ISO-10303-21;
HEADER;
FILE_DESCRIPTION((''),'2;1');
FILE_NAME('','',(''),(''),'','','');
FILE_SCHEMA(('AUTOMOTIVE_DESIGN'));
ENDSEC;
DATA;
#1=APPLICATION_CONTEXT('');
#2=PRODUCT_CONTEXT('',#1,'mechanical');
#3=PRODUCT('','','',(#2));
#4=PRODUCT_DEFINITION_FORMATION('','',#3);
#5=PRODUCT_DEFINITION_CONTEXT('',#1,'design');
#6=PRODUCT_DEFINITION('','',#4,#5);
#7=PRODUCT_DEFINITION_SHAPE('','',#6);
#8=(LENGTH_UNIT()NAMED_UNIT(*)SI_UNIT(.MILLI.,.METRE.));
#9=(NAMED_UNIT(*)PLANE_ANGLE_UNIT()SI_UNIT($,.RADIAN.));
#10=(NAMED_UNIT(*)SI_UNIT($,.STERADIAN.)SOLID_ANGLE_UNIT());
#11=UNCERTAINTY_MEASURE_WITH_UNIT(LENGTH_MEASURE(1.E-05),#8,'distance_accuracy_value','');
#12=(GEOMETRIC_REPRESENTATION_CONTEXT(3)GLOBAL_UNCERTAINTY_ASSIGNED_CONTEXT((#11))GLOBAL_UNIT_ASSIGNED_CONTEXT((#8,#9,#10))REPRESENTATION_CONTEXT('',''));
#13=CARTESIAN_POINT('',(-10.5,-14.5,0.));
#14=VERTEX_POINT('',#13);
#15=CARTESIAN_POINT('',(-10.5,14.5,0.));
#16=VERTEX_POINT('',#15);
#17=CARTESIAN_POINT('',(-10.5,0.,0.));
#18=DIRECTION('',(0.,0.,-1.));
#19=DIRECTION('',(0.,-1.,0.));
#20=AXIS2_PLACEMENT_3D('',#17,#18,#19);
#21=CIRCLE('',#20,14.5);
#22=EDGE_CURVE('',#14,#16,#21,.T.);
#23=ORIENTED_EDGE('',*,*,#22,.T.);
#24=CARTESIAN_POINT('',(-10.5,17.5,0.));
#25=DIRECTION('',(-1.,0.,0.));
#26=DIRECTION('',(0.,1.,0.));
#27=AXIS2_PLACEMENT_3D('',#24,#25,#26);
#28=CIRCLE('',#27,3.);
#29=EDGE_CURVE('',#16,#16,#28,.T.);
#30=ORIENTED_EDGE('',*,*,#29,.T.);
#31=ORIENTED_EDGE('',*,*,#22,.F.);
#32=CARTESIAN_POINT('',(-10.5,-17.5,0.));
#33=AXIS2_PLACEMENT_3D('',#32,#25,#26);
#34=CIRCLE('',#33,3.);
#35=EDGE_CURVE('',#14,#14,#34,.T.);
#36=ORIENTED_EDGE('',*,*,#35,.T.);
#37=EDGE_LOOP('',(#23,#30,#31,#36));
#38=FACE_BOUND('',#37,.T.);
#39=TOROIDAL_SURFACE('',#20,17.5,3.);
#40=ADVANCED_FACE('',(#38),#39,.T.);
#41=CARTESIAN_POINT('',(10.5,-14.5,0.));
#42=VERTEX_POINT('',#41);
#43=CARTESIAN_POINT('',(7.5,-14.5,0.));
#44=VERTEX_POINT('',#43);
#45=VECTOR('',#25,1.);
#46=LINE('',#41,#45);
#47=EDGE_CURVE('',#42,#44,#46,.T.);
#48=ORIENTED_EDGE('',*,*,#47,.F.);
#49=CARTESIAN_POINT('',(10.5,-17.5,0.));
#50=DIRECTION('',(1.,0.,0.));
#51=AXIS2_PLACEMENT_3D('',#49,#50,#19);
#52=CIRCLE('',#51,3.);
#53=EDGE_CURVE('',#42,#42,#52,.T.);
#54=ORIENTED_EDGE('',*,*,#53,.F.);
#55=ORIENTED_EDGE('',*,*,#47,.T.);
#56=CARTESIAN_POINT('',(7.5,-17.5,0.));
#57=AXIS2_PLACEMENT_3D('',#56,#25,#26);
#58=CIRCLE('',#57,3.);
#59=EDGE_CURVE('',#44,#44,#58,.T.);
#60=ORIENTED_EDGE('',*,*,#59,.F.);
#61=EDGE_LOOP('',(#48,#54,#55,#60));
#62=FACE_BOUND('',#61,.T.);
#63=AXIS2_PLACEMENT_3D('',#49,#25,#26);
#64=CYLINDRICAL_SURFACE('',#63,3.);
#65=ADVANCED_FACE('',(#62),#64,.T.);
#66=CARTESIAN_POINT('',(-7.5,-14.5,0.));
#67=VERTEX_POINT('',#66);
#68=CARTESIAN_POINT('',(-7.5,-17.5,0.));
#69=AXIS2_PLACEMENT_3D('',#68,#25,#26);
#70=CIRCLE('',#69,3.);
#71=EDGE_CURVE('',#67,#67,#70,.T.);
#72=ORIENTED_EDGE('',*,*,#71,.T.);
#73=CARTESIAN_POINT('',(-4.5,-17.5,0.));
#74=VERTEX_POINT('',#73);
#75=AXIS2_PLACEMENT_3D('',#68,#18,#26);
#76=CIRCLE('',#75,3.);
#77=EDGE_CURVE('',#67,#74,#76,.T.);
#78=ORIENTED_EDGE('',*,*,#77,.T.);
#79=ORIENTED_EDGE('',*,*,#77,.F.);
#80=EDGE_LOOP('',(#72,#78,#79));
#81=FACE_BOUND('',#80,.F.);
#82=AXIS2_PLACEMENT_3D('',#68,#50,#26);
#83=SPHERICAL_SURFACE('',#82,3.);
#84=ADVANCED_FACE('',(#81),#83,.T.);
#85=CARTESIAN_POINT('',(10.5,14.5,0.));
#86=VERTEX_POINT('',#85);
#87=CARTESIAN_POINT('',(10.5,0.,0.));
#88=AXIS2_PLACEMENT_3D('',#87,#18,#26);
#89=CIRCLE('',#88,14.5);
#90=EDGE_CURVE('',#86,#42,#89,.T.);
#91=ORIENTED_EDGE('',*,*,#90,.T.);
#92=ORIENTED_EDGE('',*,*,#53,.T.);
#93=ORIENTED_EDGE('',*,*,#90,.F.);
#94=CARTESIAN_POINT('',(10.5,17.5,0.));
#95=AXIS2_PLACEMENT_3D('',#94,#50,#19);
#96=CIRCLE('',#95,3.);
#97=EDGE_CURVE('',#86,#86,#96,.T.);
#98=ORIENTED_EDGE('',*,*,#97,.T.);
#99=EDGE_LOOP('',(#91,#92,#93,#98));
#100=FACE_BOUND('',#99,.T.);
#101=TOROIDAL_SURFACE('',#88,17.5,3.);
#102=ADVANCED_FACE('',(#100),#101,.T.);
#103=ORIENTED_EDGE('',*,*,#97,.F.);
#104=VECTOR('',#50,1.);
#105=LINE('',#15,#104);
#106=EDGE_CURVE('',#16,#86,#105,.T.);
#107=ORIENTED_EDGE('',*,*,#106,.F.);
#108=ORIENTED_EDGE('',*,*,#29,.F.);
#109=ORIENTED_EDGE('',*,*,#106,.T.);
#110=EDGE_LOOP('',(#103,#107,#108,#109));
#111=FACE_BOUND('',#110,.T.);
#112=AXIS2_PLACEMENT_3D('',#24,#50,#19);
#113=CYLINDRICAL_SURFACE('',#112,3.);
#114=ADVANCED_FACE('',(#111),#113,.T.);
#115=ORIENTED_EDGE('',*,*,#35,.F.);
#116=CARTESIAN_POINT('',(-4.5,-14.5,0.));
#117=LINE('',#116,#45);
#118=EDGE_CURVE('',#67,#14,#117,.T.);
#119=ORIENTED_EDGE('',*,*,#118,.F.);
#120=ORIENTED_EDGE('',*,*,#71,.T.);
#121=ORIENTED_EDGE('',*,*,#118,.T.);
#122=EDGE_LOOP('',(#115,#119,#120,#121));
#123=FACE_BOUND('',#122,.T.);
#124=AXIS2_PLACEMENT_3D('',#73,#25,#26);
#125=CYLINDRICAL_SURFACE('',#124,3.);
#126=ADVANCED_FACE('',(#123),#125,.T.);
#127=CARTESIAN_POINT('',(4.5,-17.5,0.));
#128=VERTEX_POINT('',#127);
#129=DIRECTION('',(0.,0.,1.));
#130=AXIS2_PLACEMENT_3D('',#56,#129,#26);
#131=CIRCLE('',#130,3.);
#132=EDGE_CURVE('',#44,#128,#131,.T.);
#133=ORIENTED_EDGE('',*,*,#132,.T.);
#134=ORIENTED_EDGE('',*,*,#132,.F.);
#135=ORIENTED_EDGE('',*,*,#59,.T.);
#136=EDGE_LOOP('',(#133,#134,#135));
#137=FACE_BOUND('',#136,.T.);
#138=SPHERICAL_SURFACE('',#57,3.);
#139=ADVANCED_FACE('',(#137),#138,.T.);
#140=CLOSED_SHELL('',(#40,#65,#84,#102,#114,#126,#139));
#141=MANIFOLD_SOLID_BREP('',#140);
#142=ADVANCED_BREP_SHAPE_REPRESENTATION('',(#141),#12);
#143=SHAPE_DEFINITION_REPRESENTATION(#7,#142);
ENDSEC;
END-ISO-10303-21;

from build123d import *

# Parameters (mm, degrees)
F2_R = 3
F4_R = 3


with BuildPart() as f3:
    # F3: sweep along a path in F0
    with BuildLine(Plane.XY) as f3_path:
        Line((-4.5, -17.5), (-10.5, -17.5))
        ThreePointArc((-10.5, -17.5), (-28, 0), (-10.5, 17.5))
        Line((-10.5, 17.5), (0, 17.5))
        Line((0, 17.5), (10.5, 17.5))
        ThreePointArc((10.5, 17.5), (28, 0), (10.5, -17.5))
        Line((10.5, -17.5), (4.5, -17.5))
    # F2 (on plane+point) → F3 (sweep)
    with BuildSketch(Plane.YZ.offset(-4.5)):
        with Locations((-17.5, 0)):
            Circle(F2_R)
    sweep(path=f3_path.line)

    # F4
    f4_edges = [f3.edges().sort_by_distance(p)[0] for p in [
        (-4.5, -20.5, 0),
        (4.5, -20.5, 0),
    ]]
    fillet(f4_edges, radius=F4_R)


solid = f3.part
